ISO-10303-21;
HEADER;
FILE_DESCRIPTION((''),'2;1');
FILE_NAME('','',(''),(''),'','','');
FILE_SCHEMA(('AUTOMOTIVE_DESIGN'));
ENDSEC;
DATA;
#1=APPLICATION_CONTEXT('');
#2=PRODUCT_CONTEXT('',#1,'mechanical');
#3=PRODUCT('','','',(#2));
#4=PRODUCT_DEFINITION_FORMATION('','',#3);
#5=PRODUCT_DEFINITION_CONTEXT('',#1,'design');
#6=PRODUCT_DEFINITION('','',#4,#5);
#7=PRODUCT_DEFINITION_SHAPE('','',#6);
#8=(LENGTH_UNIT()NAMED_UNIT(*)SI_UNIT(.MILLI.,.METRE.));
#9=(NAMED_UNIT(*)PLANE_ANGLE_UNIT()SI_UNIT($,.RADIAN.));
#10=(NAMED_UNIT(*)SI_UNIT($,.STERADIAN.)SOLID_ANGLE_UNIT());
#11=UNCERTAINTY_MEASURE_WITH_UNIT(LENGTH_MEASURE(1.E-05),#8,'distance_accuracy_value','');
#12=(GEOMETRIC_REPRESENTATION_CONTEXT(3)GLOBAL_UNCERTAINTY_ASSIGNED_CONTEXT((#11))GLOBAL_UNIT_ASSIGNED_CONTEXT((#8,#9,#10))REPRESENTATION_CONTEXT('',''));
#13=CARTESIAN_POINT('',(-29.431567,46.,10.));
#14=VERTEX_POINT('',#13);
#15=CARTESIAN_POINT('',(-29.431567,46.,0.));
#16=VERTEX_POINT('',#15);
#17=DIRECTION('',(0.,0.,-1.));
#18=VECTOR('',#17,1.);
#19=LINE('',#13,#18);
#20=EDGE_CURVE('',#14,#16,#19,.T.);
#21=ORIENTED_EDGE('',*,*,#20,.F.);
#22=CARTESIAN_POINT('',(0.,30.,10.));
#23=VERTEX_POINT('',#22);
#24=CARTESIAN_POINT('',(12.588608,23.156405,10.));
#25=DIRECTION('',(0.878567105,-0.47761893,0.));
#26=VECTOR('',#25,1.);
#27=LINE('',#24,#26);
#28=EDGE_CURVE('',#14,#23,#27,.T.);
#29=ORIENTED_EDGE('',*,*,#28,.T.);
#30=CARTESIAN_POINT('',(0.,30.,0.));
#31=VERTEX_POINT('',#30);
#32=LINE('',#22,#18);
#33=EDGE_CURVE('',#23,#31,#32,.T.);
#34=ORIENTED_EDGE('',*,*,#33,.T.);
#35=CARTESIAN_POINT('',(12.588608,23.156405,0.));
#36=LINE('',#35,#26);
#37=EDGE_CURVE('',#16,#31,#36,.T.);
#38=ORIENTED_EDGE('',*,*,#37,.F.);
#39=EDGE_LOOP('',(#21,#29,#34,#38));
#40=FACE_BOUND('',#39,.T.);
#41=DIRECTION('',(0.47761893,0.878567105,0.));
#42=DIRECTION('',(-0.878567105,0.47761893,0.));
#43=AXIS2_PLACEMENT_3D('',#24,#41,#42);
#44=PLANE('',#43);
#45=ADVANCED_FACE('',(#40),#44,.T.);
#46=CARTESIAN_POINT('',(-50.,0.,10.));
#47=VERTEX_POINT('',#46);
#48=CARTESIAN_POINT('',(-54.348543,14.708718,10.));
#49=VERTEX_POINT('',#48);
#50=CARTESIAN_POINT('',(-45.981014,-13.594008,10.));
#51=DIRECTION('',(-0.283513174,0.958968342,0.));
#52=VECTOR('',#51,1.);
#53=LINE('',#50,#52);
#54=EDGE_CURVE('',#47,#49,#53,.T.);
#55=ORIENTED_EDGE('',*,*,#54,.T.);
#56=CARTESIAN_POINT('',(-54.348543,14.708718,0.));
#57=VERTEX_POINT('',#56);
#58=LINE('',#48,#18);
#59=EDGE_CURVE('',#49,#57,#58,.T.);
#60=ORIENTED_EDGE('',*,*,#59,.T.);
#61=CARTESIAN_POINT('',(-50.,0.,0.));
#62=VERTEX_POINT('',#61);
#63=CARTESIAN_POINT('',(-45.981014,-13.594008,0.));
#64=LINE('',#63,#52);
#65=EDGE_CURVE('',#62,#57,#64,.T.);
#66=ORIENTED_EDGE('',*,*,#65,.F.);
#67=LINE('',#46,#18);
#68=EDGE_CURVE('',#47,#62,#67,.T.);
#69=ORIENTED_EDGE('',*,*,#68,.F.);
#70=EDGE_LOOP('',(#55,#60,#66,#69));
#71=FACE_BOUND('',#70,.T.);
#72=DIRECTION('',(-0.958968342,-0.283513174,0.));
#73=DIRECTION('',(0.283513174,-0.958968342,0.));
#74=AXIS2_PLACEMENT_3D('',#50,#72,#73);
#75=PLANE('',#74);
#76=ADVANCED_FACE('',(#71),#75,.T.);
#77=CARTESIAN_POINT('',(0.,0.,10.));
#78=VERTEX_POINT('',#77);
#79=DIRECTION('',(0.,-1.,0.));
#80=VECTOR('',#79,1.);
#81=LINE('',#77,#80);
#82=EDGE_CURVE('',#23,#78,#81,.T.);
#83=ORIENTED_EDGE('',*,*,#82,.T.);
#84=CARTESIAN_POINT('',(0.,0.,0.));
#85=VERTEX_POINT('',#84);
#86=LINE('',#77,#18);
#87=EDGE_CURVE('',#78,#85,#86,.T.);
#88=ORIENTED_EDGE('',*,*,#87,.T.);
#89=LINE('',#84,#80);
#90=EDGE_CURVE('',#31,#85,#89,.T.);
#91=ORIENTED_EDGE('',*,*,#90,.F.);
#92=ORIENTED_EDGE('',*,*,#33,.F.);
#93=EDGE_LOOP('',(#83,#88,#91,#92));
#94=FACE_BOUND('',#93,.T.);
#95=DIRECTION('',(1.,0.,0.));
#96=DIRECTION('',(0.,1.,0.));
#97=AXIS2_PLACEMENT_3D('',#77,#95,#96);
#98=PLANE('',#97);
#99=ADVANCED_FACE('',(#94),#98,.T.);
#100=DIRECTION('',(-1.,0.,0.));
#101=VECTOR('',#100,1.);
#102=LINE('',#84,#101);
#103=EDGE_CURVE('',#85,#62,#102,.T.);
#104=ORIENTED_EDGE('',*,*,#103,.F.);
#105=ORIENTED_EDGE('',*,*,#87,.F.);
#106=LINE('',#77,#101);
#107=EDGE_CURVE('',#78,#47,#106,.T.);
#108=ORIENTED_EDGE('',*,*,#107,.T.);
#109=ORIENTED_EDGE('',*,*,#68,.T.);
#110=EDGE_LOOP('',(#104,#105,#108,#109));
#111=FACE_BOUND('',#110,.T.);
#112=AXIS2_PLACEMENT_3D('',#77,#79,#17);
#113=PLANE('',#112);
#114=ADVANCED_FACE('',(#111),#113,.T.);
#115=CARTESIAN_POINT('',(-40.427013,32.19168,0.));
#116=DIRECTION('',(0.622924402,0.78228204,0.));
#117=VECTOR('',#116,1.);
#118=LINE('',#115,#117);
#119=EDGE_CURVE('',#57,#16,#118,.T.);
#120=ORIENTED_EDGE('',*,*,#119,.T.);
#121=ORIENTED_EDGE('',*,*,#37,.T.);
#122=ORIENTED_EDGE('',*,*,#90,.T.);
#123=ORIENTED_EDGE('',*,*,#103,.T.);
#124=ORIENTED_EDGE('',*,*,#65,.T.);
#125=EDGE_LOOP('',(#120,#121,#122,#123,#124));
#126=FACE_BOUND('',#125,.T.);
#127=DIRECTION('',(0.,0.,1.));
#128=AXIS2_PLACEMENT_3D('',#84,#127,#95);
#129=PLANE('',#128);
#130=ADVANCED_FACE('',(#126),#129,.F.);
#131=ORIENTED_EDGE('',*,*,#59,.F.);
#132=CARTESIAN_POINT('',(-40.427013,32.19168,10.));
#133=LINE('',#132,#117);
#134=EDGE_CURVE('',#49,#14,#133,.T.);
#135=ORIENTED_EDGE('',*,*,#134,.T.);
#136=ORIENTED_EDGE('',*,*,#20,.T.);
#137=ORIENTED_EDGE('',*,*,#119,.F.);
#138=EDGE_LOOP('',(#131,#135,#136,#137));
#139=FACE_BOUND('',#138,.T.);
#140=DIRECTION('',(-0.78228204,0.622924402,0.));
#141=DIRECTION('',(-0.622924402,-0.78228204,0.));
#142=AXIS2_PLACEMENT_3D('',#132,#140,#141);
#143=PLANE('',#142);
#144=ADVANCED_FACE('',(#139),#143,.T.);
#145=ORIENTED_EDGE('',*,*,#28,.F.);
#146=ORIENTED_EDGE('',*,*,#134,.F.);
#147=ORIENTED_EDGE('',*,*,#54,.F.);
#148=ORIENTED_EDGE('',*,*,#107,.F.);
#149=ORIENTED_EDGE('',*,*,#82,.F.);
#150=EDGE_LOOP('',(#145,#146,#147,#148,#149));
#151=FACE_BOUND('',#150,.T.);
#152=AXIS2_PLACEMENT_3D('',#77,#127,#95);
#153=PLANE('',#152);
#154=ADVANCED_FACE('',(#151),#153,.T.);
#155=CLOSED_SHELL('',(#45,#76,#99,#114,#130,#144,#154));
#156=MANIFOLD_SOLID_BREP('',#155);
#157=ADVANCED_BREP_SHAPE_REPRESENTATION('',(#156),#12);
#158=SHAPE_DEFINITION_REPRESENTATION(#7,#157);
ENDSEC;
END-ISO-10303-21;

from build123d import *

# Parameters (mm, degrees)
SALIENTE_EXTRUIR2_DEPTH = 10


with BuildPart() as part:
    # Croquis7 → Saliente-Extruir2 (new body)
    with BuildSketch(Plane.XY):
        Polygon((0, 30), (0, 0), (-50, 0), (-54.348543383, 14.708718408), (-29.431567316, 46), align=None)
    extrude(amount=SALIENTE_EXTRUIR2_DEPTH)


solid = part.part
